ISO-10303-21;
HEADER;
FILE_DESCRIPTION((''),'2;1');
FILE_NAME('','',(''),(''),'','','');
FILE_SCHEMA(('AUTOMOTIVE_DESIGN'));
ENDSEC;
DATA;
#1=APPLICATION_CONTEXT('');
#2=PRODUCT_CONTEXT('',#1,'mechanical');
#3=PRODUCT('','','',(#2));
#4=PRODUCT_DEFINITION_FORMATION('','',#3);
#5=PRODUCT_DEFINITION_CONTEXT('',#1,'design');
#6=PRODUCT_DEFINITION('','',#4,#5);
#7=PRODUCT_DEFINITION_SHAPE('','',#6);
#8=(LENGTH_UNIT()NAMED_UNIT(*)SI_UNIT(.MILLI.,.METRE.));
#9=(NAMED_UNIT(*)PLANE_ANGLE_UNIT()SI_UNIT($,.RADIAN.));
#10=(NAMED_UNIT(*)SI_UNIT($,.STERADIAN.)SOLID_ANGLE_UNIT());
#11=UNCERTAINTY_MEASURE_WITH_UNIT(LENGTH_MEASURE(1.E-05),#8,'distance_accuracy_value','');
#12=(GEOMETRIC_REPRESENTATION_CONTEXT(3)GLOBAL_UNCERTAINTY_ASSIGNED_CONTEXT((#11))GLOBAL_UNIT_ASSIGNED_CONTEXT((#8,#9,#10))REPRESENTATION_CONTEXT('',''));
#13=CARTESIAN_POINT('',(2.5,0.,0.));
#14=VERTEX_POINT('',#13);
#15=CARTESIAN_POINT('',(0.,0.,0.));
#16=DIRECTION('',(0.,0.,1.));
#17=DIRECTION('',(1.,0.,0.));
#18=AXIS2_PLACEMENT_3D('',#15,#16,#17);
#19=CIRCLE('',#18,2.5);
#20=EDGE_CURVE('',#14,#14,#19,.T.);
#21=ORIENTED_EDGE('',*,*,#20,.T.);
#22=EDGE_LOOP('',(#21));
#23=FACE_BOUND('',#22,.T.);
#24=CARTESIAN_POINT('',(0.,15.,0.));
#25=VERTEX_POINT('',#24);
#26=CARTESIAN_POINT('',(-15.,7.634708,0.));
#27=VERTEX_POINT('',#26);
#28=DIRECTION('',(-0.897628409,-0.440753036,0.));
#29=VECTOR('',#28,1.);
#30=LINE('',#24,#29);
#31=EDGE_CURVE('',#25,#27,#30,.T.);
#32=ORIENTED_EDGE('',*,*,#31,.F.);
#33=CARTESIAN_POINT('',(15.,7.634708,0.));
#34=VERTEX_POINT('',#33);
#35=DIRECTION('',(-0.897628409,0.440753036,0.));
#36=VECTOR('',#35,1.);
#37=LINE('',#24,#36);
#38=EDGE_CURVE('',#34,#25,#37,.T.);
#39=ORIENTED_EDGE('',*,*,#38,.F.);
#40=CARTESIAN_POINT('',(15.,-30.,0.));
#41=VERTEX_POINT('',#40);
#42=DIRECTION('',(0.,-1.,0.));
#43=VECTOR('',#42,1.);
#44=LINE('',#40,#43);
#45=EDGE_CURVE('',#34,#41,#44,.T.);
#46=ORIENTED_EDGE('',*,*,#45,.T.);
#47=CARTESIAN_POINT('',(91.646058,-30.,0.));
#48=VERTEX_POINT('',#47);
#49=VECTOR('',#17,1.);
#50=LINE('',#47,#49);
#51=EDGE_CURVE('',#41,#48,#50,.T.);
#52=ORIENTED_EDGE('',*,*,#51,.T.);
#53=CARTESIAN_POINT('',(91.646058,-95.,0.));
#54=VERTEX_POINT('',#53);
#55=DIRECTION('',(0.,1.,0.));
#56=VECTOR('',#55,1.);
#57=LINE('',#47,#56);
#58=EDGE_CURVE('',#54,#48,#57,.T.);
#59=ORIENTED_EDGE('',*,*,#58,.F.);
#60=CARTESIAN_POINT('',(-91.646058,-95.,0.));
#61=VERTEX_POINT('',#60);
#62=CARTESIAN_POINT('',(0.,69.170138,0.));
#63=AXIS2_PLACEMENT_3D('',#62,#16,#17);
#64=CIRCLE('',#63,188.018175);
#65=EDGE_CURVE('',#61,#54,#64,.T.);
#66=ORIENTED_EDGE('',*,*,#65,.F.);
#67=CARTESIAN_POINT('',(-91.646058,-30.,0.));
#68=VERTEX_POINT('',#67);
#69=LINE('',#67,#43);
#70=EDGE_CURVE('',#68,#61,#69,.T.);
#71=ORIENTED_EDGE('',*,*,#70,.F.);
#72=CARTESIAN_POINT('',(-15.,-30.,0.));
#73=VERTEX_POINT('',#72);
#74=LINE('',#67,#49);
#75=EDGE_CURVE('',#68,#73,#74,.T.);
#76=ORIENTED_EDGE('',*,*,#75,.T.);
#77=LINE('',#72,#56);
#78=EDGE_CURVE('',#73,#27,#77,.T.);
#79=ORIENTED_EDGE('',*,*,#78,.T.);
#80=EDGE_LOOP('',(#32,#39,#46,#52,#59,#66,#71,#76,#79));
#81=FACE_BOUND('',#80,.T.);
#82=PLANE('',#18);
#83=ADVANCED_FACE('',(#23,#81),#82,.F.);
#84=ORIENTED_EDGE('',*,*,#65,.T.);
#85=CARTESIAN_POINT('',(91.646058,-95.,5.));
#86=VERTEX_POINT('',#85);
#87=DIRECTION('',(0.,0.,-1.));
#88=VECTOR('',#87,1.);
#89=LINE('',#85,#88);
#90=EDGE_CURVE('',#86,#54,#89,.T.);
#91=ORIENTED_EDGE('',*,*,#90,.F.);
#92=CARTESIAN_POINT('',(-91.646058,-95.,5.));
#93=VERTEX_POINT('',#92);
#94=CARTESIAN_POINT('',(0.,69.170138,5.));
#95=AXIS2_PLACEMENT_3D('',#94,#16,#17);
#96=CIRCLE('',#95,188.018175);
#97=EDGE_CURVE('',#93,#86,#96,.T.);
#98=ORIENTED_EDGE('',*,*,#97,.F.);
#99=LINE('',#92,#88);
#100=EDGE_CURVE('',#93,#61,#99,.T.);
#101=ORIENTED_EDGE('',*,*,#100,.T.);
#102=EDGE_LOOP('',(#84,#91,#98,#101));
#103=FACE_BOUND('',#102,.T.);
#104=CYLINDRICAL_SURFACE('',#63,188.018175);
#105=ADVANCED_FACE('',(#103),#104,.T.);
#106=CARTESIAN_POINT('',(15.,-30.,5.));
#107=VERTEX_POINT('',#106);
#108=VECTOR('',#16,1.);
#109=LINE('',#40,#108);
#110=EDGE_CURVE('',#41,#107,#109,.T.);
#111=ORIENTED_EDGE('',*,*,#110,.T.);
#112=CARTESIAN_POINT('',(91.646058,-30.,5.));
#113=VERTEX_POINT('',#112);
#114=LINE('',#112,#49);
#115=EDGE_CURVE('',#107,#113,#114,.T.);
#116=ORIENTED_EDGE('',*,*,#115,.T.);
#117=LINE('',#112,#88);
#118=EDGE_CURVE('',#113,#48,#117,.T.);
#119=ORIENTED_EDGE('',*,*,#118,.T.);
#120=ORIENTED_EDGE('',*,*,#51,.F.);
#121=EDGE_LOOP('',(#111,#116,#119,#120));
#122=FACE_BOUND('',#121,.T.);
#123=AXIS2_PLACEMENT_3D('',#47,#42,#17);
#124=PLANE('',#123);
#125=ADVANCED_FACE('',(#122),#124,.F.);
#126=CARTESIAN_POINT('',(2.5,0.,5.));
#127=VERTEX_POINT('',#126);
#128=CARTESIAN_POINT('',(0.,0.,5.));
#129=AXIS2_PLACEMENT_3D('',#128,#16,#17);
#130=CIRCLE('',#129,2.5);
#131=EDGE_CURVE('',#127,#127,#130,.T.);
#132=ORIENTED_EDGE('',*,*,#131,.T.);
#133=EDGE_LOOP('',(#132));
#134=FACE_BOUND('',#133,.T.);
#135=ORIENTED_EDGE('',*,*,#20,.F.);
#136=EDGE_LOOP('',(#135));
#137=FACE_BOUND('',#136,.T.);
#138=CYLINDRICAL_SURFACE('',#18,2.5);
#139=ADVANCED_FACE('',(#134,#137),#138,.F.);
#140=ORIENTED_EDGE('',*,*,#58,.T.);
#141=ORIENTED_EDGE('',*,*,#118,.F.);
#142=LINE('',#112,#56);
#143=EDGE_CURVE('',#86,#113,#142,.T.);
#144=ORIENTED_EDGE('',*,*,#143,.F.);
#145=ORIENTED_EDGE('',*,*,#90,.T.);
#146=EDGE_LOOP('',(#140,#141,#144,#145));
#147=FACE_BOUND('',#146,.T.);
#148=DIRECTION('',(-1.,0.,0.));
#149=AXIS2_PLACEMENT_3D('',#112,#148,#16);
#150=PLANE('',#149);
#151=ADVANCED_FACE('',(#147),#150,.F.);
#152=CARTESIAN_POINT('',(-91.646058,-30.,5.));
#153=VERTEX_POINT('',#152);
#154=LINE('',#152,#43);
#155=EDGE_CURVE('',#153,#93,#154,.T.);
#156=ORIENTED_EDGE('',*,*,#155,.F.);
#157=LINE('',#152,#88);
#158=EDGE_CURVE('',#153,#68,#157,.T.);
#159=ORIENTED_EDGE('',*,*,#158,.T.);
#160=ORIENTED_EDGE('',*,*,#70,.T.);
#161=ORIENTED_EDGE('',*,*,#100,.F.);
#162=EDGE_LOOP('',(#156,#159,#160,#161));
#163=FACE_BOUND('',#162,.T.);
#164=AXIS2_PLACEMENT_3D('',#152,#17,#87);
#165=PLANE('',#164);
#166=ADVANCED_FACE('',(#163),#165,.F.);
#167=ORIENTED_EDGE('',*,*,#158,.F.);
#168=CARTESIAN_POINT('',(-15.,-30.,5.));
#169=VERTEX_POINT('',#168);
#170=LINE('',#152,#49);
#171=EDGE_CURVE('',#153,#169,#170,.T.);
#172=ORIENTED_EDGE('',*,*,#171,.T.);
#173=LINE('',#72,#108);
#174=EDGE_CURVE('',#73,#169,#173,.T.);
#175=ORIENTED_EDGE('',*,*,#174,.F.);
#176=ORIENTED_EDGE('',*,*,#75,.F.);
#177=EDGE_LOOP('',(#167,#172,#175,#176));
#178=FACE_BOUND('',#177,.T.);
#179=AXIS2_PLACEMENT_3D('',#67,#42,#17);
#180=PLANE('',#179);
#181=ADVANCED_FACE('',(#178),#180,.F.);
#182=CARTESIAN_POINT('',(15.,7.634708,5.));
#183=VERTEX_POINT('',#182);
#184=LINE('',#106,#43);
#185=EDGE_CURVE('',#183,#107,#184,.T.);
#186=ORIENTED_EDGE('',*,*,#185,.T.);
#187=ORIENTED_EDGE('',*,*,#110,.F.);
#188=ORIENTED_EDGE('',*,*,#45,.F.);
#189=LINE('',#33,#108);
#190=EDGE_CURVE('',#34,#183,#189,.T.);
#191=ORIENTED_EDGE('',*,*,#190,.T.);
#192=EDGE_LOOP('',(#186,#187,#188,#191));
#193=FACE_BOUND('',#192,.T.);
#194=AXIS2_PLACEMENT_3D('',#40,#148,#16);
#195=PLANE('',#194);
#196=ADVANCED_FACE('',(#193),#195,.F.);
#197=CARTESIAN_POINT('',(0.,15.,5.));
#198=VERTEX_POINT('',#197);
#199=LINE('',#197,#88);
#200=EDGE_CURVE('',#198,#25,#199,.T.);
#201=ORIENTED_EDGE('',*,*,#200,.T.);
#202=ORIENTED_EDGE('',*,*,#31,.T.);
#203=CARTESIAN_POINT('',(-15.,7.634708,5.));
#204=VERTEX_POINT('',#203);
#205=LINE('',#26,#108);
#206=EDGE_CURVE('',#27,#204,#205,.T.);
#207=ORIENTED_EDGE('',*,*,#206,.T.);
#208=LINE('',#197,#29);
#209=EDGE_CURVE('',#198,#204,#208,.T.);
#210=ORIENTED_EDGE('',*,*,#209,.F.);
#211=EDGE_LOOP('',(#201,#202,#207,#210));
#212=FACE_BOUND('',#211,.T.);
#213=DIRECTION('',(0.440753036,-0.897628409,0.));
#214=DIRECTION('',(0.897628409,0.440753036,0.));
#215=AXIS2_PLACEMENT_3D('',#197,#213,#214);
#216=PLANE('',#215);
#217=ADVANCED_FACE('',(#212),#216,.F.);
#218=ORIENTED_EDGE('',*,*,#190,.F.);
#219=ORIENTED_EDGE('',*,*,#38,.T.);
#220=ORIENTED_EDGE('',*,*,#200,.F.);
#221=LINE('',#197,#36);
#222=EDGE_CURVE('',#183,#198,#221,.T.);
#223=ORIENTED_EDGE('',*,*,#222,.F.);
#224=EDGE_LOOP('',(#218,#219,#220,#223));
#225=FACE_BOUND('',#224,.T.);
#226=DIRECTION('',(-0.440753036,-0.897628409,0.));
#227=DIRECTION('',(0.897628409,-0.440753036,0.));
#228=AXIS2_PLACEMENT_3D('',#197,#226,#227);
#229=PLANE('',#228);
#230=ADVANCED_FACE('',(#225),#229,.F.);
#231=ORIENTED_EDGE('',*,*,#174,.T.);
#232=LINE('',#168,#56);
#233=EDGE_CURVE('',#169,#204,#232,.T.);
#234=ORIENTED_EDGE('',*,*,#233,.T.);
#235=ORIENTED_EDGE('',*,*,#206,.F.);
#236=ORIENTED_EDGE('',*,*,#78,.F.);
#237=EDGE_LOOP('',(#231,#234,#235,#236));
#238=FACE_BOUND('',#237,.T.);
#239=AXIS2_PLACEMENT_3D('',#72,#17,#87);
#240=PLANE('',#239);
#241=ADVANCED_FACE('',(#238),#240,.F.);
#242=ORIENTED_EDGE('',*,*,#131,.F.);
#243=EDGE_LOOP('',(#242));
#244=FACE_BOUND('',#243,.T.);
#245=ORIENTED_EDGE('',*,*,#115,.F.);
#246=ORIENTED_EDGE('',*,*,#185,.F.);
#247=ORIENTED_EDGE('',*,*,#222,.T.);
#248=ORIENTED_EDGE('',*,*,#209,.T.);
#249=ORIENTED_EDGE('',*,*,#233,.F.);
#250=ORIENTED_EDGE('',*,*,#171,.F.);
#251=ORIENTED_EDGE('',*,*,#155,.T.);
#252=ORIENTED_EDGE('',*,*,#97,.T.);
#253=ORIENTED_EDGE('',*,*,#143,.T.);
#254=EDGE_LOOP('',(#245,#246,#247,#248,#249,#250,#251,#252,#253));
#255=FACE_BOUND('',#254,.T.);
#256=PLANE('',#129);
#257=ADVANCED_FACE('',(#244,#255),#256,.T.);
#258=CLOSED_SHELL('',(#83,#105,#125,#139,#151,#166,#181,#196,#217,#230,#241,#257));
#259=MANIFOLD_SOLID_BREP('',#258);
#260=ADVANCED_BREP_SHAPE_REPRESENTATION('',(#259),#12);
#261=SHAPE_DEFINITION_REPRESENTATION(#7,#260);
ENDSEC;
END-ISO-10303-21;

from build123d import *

# Parameters (mm, degrees)
P_IDAT_VYSUNUT_M1_DEPTH  = 5
SKICA2_R                 = 2.5
ODEBRAT_VYSUNUT_M1_DEPTH = 5
ODEBRAT_VYSUNUT_M2_DEPTH = 5
P_IDAT_VYSUNUT_M2_DEPTH  = 5


with BuildPart() as part:
    # Skica1 → Přidat vysunutím1 (new body)
    with BuildSketch(Plane.XY):
        Polygon((-91.646058289, -95), (91.646058289, -95), (91.646058289, -30), (0, 15), (-91.646058289, -30), align=None)
    extrude(amount=P_IDAT_VYSUNUT_M1_DEPTH)

    # Skica2 → Odebrat vysunutím1 (cut)
    with BuildSketch(Plane.XY.offset(5)):
        Circle(SKICA2_R)
    extrude(amount=-ODEBRAT_VYSUNUT_M1_DEPTH, mode=Mode.SUBTRACT)

    # Skica3 → Odebrat vysunutím2 (cut)
    with BuildSketch(Plane.XY.offset(5)):
        Polygon((91.646058289, -30), (15, -30), (15, 7.634707781), align=None)
        Polygon((-15, 7.634707781), (-91.646058289, -30), (-15, -30), align=None)
    extrude(amount=-ODEBRAT_VYSUNUT_M2_DEPTH, mode=Mode.SUBTRACT)

    # Skica4 → Přidat vysunutím2 (add)
    with BuildSketch(Plane.XY.offset(5)):
        with BuildLine():
            Line((-91.646058289, -95), (91.646058289, -95))
            ThreePointArc((91.646058289, -95), (0, -118.848037221), (-91.646058289, -95))
        make_face()
    extrude(amount=-P_IDAT_VYSUNUT_M2_DEPTH)


solid = part.part
